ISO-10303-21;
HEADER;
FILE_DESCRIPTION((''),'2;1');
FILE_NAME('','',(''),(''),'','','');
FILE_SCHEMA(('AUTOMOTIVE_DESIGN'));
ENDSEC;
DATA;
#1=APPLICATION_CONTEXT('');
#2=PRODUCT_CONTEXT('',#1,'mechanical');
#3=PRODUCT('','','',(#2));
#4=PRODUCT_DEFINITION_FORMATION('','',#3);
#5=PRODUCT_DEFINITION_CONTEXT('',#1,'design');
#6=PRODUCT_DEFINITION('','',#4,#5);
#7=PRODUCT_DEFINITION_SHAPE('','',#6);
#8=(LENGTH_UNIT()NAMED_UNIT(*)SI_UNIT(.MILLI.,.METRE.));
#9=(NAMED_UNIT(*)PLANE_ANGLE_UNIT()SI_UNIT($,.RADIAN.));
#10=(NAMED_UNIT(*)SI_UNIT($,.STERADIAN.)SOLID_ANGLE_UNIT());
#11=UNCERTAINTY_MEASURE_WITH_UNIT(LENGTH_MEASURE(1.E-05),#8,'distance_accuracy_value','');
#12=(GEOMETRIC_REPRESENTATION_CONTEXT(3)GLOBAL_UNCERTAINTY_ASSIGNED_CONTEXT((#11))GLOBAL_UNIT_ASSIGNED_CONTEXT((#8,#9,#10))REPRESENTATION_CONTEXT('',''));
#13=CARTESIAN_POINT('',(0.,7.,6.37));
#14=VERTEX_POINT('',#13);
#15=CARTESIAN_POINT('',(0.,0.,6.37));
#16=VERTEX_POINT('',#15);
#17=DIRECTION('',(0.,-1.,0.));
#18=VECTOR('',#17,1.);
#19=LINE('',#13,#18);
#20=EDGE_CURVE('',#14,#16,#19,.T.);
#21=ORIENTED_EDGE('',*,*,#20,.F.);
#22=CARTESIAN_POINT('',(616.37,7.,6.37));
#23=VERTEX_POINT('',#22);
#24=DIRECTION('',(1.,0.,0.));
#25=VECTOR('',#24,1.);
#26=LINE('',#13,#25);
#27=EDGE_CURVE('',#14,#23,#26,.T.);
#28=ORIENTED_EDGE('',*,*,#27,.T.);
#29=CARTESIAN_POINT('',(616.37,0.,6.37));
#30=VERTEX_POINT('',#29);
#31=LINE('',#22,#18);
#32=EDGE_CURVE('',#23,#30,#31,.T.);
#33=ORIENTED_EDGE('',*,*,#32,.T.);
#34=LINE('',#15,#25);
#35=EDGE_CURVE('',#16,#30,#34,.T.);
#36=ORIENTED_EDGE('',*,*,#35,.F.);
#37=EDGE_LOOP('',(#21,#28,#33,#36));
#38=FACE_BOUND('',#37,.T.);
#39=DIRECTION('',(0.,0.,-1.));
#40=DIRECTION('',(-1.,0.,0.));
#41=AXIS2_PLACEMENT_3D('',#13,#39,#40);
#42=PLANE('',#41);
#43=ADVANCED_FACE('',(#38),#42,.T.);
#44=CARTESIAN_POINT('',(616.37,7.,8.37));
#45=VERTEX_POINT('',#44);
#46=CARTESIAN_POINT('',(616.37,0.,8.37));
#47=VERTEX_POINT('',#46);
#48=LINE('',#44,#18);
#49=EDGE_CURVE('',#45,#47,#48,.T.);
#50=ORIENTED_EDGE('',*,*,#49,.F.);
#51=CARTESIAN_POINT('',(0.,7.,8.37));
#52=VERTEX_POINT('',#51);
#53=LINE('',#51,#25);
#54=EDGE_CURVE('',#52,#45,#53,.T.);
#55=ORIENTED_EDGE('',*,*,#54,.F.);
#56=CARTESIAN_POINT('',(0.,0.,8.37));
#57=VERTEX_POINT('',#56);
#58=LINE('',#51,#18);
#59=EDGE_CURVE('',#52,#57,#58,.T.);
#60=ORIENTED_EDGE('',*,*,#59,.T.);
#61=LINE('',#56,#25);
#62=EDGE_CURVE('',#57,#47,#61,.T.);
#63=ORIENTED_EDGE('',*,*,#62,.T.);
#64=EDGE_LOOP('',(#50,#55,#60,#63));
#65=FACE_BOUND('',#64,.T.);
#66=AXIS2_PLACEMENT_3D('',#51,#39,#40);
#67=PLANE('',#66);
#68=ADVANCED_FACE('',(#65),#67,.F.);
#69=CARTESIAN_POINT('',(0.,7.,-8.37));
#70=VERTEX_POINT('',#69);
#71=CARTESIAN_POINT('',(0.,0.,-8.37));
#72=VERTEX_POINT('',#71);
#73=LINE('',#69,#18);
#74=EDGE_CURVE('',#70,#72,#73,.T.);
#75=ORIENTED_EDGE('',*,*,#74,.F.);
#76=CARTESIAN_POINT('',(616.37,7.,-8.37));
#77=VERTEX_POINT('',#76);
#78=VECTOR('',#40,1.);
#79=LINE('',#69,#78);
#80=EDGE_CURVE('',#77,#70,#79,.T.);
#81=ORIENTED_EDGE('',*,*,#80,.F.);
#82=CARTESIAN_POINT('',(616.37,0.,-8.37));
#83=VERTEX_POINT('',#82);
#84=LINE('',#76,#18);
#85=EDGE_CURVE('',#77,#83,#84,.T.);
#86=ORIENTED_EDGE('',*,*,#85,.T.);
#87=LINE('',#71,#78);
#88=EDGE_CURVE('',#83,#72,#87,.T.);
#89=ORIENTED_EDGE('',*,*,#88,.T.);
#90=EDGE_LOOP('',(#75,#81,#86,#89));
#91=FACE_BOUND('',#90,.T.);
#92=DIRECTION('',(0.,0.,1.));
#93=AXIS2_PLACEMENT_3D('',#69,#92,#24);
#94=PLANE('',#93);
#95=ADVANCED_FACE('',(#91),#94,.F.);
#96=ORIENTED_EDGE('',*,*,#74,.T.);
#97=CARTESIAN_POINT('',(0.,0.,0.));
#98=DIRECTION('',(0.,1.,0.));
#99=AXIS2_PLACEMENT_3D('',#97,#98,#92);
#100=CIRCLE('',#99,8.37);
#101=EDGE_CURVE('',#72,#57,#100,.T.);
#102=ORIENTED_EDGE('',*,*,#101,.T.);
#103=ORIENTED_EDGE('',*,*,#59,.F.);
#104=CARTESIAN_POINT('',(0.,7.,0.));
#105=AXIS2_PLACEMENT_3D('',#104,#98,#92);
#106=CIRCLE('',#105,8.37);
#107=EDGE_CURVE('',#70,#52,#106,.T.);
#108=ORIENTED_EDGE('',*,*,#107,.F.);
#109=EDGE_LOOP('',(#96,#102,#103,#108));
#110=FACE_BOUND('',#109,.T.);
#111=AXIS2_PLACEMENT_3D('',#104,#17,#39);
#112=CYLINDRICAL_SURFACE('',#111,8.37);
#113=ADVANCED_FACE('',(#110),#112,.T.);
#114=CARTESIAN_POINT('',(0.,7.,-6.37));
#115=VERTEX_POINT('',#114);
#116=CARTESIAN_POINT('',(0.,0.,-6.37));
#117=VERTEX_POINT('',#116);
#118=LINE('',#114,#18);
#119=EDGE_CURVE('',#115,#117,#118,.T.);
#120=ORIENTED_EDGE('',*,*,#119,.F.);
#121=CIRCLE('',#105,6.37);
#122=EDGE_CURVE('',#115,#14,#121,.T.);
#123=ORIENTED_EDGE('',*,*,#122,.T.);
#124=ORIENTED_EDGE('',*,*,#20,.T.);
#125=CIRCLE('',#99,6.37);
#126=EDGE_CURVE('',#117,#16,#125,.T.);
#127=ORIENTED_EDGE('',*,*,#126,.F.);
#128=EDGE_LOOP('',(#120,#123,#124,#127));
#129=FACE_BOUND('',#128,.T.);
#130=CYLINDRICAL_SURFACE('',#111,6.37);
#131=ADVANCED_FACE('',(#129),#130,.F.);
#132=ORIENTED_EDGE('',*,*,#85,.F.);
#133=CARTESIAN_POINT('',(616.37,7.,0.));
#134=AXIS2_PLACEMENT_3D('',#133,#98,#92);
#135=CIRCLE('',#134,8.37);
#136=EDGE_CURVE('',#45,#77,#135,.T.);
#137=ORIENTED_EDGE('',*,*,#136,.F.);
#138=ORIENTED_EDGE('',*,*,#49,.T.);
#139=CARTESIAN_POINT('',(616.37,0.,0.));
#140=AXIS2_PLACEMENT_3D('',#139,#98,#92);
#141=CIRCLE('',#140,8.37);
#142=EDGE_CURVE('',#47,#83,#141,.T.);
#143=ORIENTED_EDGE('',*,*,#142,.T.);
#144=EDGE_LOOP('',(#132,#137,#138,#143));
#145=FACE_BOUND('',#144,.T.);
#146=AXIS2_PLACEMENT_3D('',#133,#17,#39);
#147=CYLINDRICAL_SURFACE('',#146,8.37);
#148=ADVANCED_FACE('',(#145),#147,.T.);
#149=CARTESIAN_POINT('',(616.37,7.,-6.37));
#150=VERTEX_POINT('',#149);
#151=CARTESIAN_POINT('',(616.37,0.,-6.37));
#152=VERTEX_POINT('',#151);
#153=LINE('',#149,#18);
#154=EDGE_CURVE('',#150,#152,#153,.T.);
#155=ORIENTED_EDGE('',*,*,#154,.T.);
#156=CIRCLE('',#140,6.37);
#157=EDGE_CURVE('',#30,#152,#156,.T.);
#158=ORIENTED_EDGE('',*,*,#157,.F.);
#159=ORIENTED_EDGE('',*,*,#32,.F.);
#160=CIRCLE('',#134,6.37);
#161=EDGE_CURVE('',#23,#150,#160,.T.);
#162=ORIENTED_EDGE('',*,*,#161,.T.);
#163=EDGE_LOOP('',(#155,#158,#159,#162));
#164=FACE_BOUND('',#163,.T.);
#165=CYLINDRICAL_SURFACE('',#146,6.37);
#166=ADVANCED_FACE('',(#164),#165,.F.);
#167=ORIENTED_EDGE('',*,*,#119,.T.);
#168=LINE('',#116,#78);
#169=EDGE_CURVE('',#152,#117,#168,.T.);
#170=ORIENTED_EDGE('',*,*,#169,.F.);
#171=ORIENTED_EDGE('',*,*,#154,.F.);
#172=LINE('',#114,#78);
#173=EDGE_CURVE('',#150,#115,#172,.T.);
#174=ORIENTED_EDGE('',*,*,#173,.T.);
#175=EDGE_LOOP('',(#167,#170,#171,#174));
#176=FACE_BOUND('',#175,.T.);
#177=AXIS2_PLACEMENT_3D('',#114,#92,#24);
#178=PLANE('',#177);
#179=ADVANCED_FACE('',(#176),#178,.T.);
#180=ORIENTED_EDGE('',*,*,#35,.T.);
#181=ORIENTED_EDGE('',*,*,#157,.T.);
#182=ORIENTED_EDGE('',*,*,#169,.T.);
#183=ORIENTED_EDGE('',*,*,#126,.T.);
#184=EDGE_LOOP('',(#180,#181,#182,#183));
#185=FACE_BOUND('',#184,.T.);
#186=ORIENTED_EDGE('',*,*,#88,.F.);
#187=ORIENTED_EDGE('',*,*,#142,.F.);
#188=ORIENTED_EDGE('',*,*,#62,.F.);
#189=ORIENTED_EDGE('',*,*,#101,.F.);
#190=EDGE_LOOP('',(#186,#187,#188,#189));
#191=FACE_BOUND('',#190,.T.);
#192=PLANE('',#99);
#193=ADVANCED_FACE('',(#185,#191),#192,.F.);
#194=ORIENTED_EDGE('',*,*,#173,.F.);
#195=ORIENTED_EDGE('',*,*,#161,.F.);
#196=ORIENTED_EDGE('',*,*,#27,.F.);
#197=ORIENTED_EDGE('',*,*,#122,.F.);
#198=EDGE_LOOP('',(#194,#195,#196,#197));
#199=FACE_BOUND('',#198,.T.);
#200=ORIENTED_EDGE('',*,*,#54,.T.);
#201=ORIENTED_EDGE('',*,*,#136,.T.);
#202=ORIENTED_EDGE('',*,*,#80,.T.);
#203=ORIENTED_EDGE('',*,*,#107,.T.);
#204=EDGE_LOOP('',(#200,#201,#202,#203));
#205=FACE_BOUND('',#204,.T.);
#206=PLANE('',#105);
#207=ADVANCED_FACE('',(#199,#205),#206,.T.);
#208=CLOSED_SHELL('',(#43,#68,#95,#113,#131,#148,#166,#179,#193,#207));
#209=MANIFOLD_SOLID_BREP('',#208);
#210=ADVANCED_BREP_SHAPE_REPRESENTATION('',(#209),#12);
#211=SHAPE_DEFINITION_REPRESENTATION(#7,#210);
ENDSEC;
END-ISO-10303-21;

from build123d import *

# Parameters (mm, degrees)
BOSS_EXTRUDE1_DEPTH = 7


with BuildPart() as part:
    # Sketch1 → Boss-Extrude1 (new body)
    with BuildSketch(Plane(origin=(0, 0, 0), x_dir=(1, 0, 0), z_dir=(0, 1, 0))):
        with BuildLine():
            Line((0, 8.37), (616.37, 8.37))
            ThreePointArc((616.37, 8.37), (624.74, 0), (616.37, -8.37))
            Line((616.37, -8.37), (0, -8.37))
            ThreePointArc((0, -8.37), (-8.37, 0), (0, 8.37))
        make_face()
        with BuildLine():
            Line((0, 6.37), (616.37, 6.37))
            ThreePointArc((616.37, 6.37), (622.74, 0), (616.37, -6.37))
            Line((616.37, -6.37), (0, -6.37))
            ThreePointArc((0, -6.37), (-6.37, 0), (0, 6.37))
        make_face(mode=Mode.SUBTRACT)
    extrude(amount=BOSS_EXTRUDE1_DEPTH)


solid = part.part
